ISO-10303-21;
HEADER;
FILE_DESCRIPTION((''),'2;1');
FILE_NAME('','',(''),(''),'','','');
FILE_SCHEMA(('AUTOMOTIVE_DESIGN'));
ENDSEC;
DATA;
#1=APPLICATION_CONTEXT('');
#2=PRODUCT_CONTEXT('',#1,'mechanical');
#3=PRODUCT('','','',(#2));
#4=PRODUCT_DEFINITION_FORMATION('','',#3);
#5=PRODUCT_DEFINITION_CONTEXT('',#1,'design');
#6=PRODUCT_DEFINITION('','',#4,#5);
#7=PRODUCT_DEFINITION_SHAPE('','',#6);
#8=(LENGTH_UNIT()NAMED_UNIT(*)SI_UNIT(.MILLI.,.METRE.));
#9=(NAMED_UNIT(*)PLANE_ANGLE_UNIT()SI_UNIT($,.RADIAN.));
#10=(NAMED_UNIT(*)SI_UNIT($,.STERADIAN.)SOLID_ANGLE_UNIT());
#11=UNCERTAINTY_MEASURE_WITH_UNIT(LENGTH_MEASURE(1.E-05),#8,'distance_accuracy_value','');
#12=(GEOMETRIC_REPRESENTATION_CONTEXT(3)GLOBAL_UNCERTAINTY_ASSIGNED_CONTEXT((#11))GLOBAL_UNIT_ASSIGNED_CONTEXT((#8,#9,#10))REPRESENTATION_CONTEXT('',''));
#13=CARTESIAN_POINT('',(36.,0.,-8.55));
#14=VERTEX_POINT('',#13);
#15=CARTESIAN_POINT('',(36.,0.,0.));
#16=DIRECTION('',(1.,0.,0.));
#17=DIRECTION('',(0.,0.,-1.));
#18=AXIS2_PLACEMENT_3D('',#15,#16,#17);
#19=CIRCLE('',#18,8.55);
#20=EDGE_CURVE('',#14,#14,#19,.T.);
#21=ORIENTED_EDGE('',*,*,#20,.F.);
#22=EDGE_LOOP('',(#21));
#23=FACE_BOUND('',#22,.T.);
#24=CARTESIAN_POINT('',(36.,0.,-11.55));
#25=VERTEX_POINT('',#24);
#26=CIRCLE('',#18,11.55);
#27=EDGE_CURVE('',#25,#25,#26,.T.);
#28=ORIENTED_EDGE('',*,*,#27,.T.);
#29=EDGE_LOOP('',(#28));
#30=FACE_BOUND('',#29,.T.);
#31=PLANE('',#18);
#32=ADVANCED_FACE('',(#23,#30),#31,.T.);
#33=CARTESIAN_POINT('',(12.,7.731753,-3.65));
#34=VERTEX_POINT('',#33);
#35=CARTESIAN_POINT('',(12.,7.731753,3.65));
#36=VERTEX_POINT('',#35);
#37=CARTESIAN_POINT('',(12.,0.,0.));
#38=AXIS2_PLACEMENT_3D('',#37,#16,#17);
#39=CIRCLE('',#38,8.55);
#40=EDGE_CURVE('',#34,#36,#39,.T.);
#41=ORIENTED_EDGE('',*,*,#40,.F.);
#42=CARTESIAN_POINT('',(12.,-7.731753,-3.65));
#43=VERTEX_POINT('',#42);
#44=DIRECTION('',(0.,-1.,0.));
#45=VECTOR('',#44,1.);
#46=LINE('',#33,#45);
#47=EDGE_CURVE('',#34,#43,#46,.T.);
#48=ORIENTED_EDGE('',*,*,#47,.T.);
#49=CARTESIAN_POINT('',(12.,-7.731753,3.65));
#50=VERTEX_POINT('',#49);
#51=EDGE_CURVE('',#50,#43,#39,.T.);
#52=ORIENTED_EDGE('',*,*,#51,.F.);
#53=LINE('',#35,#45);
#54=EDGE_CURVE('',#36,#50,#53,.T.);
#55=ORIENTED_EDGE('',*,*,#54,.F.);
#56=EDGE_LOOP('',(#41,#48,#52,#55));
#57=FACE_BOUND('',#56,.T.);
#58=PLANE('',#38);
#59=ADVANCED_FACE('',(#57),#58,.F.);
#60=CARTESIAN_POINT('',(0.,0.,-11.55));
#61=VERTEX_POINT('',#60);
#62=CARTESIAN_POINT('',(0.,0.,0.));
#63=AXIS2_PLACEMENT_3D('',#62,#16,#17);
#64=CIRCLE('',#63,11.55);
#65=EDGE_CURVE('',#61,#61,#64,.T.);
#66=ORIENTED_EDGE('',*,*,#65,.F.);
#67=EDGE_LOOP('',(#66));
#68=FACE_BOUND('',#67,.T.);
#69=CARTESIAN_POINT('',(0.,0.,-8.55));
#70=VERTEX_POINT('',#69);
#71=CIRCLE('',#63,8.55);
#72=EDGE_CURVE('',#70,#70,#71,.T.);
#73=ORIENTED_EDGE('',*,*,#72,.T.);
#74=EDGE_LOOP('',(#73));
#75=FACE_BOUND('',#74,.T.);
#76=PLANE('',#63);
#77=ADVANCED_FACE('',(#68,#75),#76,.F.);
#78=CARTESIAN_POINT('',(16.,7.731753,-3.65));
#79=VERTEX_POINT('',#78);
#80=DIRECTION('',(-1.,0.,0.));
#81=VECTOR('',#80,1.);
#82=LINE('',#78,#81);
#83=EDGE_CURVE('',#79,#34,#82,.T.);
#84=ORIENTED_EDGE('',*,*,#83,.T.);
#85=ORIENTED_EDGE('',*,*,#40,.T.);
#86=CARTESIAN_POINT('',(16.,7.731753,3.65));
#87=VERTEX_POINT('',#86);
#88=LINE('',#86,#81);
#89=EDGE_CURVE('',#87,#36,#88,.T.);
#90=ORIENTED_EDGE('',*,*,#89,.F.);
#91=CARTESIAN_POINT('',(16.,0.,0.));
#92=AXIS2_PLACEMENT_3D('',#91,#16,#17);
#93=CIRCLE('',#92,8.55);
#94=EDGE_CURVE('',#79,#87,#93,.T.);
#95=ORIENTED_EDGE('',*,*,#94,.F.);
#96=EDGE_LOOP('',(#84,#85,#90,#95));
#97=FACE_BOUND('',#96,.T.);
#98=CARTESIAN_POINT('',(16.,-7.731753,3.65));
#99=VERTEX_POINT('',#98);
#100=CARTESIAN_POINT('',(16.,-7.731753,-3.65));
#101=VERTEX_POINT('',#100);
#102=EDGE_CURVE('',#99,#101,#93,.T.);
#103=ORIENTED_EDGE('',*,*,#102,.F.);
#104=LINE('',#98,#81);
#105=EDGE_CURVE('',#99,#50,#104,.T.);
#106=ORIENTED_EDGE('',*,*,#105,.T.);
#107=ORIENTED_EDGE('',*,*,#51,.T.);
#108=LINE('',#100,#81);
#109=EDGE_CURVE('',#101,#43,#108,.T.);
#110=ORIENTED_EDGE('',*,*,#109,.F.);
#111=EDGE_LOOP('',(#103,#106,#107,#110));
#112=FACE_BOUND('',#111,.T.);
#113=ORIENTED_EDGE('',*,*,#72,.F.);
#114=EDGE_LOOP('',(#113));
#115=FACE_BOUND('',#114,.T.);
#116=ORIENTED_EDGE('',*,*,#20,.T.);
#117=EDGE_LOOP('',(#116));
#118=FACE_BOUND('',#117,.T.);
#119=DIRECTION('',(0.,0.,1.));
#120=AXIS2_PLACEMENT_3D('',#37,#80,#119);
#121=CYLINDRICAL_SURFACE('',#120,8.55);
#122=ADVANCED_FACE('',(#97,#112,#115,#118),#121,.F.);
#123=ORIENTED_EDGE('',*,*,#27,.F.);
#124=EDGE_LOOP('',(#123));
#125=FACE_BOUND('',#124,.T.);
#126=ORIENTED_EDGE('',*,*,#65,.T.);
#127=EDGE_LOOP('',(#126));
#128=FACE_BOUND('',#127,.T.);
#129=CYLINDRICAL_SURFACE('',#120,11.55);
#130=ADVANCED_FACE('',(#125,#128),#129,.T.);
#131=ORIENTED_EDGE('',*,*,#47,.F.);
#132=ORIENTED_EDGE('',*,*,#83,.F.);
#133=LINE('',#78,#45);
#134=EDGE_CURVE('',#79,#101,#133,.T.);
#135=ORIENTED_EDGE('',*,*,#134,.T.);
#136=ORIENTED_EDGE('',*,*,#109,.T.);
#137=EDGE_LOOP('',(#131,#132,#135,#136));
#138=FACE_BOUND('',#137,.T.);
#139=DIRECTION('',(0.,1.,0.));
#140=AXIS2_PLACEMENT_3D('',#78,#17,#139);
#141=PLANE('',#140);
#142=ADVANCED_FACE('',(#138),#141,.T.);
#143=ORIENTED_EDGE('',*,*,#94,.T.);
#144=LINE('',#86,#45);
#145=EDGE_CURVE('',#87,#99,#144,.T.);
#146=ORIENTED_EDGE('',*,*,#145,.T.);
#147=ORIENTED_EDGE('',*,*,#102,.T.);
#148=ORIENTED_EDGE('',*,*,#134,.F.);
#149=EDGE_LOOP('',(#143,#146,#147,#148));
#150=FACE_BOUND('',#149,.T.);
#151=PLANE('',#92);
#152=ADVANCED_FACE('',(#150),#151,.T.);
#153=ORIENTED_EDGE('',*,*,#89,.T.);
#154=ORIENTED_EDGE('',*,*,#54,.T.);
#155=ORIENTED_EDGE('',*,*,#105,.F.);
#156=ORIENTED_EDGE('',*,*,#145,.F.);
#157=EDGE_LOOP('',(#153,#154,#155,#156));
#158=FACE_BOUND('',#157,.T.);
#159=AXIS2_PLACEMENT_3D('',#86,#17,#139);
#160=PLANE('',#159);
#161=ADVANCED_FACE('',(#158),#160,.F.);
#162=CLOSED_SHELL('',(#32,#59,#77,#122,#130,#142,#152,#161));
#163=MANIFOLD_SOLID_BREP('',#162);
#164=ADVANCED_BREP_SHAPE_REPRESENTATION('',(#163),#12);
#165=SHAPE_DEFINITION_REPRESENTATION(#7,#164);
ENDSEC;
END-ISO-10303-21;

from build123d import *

# Parameters (mm, degrees)
SKETCH1_R           = 11.55
SKETCH1_R_2         = 8.55
BOSS_EXTRUDE1_DEPTH = 12
BOSS_EXTRUDE2_DEPTH = 4
SKETCH3_R           = 11.55
SKETCH3_R_2         = 8.55
BOSS_EXTRUDE3_DEPTH = 4
SKETCH4_R           = 11.55
SKETCH4_R_2         = 8.55
BOSS_EXTRUDE4_DEPTH = 20


with BuildPart() as part:
    # Sketch1 → Boss-Extrude1 (new body)
    with BuildSketch(Plane(origin=(0, 0, 0), x_dir=(0, 0, -1), z_dir=(1, 0, 0))):
        Circle(SKETCH1_R)
        Circle(SKETCH1_R_2, mode=Mode.SUBTRACT)
    extrude(amount=BOSS_EXTRUDE1_DEPTH)



with BuildPart() as body_2:
    # Sketch2 → Boss-Extrude2 (new body)
    with BuildSketch(Plane(origin=(12, 0, 0), x_dir=(0, 0, -1), z_dir=(1, 0, 0))):
        with BuildLine():
            Line((-3.65, 7.731752712), (-3.65, -7.731752712))
            ThreePointArc((-3.65, -7.731752712), (0, -8.55), (3.65, -7.731752712))
            Line((3.65, -7.731752712), (3.65, 7.731752712))
            ThreePointArc((3.65, 7.731752712), (0, 8.55), (-3.65, 7.731752712))
        make_face()
    extrude(amount=BOSS_EXTRUDE2_DEPTH)


with BuildPart() as part_1:
    add(part.part)

    add(body_2.part)  # Boss-Extrude3 merges body 2
    # Sketch3 → Boss-Extrude3 (add)
    with BuildSketch(Plane(origin=(12, 0, 0), x_dir=(0, 0, -1), z_dir=(1, 0, 0))):
        Circle(SKETCH3_R)
        with Locations(Location((0, 0, 0), (0, 0, 244.72897634))):
            Circle(SKETCH3_R_2, mode=Mode.SUBTRACT)
    extrude(amount=BOSS_EXTRUDE3_DEPTH)

    # Sketch4 → Boss-Extrude4 (add)
    with BuildSketch(Plane(origin=(16, 0, 0), x_dir=(0, 0, -1), z_dir=(1, 0, 0))):
        Circle(SKETCH4_R)
        Circle(SKETCH4_R_2, mode=Mode.SUBTRACT)
    extrude(amount=BOSS_EXTRUDE4_DEPTH)


solid = part_1.part
